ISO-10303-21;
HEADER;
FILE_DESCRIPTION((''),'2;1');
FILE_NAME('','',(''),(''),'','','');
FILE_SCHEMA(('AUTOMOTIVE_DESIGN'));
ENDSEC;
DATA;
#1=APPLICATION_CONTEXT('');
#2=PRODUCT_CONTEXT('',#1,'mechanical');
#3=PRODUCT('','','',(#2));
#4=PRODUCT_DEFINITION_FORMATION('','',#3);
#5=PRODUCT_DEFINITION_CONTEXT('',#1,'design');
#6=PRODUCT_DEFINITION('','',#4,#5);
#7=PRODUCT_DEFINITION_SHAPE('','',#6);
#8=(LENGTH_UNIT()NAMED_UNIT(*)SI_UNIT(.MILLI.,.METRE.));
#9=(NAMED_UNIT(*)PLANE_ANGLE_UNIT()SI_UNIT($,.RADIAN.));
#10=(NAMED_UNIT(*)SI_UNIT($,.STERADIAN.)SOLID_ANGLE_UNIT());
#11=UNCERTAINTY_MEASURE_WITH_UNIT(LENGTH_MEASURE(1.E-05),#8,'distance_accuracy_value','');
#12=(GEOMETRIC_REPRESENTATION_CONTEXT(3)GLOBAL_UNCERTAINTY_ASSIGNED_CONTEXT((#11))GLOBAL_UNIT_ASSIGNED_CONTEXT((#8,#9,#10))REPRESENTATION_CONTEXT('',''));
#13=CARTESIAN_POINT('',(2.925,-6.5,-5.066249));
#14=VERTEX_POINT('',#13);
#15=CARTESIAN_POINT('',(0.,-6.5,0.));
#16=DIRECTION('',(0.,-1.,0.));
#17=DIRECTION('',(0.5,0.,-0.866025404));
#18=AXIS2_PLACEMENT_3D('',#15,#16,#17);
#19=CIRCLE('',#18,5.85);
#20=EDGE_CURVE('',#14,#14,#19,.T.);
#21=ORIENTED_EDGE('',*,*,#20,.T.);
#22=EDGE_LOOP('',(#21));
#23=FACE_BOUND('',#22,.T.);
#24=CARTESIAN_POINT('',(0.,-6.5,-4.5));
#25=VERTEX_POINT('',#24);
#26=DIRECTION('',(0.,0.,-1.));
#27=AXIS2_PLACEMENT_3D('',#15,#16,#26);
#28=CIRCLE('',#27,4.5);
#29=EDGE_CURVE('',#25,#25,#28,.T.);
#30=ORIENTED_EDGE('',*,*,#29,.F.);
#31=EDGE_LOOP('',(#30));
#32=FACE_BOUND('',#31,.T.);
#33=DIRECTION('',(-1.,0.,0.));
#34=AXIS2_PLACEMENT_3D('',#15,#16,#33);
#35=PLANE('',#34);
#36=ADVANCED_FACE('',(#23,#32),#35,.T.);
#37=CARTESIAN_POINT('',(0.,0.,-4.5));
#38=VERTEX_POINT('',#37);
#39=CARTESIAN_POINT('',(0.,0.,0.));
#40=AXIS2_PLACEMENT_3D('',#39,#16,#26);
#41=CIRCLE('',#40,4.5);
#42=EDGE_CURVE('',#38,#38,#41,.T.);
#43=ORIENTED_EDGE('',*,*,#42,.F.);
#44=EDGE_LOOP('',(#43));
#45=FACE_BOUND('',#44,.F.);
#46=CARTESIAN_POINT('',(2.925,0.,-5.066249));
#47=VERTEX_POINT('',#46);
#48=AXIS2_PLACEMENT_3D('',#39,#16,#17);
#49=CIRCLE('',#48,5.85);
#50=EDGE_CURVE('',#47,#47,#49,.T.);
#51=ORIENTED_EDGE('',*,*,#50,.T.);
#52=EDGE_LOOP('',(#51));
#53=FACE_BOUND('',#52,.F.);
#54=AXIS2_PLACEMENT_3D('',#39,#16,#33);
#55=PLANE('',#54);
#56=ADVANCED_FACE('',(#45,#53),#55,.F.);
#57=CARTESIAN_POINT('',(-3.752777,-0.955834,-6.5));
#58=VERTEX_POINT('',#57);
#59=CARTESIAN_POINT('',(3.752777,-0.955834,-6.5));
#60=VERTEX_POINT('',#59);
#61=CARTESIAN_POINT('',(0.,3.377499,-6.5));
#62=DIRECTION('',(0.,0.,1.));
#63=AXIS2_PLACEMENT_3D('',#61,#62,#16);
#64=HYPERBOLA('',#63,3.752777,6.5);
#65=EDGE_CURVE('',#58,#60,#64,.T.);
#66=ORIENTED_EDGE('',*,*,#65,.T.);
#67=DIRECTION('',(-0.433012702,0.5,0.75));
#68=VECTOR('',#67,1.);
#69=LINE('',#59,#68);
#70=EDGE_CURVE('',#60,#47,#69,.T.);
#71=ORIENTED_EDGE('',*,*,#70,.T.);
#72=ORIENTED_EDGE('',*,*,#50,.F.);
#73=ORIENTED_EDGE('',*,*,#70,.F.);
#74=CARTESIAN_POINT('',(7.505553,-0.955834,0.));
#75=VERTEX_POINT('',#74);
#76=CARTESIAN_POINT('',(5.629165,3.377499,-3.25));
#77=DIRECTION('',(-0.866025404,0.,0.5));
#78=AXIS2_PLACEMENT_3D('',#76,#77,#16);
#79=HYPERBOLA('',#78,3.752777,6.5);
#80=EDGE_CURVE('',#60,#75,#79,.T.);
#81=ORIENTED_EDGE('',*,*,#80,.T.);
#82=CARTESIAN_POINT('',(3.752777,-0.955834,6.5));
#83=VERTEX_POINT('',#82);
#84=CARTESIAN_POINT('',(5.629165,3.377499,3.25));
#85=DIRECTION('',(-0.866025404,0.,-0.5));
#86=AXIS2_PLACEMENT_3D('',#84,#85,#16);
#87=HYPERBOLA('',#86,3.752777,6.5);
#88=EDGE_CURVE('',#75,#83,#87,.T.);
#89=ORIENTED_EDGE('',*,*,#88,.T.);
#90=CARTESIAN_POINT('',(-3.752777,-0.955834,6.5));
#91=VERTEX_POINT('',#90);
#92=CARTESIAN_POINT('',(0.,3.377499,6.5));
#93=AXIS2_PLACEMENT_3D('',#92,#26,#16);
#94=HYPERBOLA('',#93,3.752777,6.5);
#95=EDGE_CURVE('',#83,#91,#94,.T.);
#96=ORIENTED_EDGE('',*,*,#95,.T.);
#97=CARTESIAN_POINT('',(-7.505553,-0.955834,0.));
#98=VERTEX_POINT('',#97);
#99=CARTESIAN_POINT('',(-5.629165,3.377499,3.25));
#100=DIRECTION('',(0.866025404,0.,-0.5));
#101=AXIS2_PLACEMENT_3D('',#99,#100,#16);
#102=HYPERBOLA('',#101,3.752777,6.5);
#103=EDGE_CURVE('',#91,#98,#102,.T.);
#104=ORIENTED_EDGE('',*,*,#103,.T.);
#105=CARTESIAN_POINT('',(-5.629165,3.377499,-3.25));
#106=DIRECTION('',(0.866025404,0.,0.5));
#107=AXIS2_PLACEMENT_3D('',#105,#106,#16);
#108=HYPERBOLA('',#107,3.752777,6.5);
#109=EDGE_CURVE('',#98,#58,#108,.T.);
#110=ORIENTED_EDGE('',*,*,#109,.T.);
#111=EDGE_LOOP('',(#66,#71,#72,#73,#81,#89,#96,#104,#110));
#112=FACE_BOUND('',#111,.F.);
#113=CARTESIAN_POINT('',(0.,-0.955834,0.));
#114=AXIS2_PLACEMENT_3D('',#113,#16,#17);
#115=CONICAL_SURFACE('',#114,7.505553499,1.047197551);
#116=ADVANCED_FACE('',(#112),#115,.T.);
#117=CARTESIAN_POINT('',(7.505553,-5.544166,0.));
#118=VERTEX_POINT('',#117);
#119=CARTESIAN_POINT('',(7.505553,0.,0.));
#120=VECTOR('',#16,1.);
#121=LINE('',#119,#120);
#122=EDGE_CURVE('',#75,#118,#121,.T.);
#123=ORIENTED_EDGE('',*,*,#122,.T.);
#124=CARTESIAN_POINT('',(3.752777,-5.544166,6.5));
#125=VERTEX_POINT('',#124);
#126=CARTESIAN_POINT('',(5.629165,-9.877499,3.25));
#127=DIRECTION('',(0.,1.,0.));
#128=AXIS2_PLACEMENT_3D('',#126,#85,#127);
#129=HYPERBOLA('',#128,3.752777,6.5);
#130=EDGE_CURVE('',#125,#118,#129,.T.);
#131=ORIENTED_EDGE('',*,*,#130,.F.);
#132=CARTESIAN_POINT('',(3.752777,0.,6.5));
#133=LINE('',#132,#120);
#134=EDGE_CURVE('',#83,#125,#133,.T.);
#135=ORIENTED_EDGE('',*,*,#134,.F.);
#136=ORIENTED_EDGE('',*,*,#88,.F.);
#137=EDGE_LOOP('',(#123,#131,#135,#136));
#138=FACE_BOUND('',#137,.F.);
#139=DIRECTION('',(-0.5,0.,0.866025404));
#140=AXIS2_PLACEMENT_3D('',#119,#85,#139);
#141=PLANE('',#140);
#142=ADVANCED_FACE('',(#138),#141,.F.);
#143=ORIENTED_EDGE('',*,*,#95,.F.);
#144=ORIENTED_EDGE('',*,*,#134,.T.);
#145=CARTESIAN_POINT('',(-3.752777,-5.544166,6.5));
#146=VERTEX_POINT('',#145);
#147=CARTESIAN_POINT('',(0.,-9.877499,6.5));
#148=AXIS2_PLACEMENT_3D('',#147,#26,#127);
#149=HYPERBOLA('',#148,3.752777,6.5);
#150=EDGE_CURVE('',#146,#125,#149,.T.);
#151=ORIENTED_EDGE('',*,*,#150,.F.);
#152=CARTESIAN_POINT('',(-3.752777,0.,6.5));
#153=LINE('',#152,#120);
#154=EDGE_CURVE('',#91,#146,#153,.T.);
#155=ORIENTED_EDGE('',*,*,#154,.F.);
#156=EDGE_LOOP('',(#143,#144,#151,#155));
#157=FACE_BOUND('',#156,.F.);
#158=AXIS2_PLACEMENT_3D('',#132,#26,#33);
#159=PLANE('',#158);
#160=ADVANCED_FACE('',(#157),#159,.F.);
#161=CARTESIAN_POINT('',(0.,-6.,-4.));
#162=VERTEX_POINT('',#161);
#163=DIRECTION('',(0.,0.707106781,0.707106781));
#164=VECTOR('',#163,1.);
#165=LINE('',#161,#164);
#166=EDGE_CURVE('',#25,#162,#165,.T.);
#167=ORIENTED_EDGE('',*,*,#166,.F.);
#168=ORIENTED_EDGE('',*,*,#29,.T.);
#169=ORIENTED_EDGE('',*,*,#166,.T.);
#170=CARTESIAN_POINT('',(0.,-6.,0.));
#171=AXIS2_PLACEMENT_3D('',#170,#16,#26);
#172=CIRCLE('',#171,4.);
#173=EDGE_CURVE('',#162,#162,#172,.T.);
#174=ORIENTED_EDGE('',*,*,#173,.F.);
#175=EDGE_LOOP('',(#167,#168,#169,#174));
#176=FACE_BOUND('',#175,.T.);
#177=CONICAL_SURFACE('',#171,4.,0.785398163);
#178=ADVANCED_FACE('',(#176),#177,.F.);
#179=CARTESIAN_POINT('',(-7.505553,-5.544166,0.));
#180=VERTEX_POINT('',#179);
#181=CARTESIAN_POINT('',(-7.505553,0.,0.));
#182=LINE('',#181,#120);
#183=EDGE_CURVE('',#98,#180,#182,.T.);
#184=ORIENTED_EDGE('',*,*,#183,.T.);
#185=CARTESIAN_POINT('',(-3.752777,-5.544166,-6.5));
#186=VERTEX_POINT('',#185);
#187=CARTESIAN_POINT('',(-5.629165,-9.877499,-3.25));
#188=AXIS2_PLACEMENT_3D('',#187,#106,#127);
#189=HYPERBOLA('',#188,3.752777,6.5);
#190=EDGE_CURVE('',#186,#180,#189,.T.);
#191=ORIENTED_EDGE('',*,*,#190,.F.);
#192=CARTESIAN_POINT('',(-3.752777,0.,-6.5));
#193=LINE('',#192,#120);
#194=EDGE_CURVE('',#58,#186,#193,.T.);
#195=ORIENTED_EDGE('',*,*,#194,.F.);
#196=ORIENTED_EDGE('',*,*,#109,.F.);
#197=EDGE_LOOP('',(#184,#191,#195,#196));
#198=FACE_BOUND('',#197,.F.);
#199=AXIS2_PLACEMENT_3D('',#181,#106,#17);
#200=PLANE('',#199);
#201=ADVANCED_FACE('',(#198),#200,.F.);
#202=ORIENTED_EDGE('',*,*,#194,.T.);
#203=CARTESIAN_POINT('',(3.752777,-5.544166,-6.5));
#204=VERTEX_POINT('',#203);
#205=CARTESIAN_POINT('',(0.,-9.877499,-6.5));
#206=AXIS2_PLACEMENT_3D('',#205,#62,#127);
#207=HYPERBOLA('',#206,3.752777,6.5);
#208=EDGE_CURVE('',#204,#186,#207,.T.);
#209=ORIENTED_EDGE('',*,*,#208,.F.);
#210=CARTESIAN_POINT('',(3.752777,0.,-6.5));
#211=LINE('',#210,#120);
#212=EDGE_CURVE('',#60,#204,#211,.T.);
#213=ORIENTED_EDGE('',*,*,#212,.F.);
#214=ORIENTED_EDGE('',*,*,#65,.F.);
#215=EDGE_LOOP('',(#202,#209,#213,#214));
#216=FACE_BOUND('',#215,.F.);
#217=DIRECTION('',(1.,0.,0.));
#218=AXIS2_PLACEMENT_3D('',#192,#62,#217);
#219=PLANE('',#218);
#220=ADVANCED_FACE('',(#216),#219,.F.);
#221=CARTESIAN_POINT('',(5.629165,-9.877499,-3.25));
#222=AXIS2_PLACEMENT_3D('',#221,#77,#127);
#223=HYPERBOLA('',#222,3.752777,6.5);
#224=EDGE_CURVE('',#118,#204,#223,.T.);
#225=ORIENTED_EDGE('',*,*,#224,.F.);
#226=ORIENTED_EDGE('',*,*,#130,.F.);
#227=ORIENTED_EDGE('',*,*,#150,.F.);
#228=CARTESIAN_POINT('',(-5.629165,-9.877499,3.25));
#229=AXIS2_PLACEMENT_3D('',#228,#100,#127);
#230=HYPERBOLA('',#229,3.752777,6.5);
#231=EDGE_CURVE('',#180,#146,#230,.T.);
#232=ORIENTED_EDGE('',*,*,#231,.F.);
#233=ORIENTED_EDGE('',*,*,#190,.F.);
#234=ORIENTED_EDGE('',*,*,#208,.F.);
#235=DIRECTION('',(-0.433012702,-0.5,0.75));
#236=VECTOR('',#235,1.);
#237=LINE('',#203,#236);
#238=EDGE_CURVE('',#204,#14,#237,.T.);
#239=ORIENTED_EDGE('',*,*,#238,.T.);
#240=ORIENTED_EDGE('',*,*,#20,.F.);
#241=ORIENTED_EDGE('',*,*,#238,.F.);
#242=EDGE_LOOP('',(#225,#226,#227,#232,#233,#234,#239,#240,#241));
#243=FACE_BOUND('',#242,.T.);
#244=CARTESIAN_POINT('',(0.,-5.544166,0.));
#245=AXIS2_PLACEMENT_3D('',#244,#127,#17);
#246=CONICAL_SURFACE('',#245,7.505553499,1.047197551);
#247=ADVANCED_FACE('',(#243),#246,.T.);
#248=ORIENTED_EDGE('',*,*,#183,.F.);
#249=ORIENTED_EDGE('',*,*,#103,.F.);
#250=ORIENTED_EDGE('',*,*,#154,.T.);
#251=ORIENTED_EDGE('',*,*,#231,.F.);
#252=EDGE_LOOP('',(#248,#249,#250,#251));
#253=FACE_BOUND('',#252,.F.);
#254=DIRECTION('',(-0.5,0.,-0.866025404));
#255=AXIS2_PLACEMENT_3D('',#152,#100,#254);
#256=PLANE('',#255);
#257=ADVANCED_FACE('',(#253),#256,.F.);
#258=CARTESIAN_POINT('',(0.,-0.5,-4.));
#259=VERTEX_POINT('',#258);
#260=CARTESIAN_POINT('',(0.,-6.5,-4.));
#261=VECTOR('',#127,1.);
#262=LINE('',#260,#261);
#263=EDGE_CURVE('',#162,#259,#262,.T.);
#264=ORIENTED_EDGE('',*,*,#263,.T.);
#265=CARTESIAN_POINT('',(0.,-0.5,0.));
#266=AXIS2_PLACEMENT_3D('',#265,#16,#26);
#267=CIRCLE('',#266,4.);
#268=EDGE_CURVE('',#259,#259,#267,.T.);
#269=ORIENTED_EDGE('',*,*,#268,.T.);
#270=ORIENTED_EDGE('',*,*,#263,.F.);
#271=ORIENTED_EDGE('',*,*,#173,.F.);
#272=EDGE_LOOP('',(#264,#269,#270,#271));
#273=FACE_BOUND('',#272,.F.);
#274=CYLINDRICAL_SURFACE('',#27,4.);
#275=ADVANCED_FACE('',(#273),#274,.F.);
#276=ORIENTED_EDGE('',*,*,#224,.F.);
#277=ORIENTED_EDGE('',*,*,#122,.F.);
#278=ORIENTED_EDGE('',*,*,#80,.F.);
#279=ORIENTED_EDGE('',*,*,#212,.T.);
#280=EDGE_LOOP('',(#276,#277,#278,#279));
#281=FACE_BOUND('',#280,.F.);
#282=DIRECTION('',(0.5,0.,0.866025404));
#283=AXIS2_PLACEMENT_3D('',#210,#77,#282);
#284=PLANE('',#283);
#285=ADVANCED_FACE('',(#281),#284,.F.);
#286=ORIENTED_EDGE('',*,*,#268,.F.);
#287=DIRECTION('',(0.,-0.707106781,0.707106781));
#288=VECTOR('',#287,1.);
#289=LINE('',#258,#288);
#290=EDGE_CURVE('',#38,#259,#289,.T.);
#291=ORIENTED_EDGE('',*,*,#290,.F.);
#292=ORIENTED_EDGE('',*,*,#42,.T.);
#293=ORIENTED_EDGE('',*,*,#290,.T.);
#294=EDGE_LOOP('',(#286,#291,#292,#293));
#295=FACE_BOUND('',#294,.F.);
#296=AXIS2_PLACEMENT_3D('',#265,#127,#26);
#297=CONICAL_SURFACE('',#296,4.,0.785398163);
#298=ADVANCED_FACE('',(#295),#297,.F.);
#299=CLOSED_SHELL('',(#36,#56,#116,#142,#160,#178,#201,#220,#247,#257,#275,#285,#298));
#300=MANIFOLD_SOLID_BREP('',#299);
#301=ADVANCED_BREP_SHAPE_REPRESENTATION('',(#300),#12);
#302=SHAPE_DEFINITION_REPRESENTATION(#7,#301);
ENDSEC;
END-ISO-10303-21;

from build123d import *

# Parameters (mm, degrees)
EXTRUDE_1_DEPTH     = 6.5
SKETCH_5_R          = 4
CUT_EXTRUDE_1_DEPTH = 12.867322079
CHAMFER_1_SIZE      = 0.5


with BuildPart() as part:
    # Эскиз1 → Вытянуть1 (new body)
    with BuildSketch(Plane(origin=(0, 0, 0), x_dir=(1, 0, 0), z_dir=(0, 1, 0))):
        Polygon((-3.75277675, 6.5), (3.75277675, 6.5), (7.505553499, 0), (3.75277675, -6.5), (-3.75277675, -6.5), (-7.505553499, 0), align=None)
    extrude(amount=-EXTRUDE_1_DEPTH)

    # Эскиз5 → Вырез-Вытянуть1 (cut, through all)
    with BuildSketch(Plane.XZ.offset(6.5)):
        with Locations(Location((0, 0, 0), (0, 0, 270))):
            Circle(SKETCH_5_R)
    extrude(amount=-CUT_EXTRUDE_1_DEPTH, mode=Mode.SUBTRACT)

    # Эскиз4 → Вырез-Повернуть1 (revolve, cut)
    with BuildSketch(Plane.XY, mode=Mode.PRIVATE) as cut_revolve_1_sk:
        Polygon((-7.505553499, -0.955834259), (-5.85, 0), (-7.505553499, 0), align=None)
        Polygon((-7.505553499, -5.544165741), (-5.85, -6.5), (-7.505553499, -6.5), align=None)
    revolve(cut_revolve_1_sk.sketch.rotate(Axis((0, 0, 0), (0, -1, 0)), 119.999999999), axis=Axis((0, 0, 0), (0, -1, 0)), mode=Mode.SUBTRACT)

    # Фаска1
    chamfer_1_edges = [part.edges().sort_by_distance(p)[0] for p in [
        (0, 0, 4),
        (0, -6.5, 4),
    ]]
    chamfer(chamfer_1_edges, length=CHAMFER_1_SIZE)


solid = part.part
